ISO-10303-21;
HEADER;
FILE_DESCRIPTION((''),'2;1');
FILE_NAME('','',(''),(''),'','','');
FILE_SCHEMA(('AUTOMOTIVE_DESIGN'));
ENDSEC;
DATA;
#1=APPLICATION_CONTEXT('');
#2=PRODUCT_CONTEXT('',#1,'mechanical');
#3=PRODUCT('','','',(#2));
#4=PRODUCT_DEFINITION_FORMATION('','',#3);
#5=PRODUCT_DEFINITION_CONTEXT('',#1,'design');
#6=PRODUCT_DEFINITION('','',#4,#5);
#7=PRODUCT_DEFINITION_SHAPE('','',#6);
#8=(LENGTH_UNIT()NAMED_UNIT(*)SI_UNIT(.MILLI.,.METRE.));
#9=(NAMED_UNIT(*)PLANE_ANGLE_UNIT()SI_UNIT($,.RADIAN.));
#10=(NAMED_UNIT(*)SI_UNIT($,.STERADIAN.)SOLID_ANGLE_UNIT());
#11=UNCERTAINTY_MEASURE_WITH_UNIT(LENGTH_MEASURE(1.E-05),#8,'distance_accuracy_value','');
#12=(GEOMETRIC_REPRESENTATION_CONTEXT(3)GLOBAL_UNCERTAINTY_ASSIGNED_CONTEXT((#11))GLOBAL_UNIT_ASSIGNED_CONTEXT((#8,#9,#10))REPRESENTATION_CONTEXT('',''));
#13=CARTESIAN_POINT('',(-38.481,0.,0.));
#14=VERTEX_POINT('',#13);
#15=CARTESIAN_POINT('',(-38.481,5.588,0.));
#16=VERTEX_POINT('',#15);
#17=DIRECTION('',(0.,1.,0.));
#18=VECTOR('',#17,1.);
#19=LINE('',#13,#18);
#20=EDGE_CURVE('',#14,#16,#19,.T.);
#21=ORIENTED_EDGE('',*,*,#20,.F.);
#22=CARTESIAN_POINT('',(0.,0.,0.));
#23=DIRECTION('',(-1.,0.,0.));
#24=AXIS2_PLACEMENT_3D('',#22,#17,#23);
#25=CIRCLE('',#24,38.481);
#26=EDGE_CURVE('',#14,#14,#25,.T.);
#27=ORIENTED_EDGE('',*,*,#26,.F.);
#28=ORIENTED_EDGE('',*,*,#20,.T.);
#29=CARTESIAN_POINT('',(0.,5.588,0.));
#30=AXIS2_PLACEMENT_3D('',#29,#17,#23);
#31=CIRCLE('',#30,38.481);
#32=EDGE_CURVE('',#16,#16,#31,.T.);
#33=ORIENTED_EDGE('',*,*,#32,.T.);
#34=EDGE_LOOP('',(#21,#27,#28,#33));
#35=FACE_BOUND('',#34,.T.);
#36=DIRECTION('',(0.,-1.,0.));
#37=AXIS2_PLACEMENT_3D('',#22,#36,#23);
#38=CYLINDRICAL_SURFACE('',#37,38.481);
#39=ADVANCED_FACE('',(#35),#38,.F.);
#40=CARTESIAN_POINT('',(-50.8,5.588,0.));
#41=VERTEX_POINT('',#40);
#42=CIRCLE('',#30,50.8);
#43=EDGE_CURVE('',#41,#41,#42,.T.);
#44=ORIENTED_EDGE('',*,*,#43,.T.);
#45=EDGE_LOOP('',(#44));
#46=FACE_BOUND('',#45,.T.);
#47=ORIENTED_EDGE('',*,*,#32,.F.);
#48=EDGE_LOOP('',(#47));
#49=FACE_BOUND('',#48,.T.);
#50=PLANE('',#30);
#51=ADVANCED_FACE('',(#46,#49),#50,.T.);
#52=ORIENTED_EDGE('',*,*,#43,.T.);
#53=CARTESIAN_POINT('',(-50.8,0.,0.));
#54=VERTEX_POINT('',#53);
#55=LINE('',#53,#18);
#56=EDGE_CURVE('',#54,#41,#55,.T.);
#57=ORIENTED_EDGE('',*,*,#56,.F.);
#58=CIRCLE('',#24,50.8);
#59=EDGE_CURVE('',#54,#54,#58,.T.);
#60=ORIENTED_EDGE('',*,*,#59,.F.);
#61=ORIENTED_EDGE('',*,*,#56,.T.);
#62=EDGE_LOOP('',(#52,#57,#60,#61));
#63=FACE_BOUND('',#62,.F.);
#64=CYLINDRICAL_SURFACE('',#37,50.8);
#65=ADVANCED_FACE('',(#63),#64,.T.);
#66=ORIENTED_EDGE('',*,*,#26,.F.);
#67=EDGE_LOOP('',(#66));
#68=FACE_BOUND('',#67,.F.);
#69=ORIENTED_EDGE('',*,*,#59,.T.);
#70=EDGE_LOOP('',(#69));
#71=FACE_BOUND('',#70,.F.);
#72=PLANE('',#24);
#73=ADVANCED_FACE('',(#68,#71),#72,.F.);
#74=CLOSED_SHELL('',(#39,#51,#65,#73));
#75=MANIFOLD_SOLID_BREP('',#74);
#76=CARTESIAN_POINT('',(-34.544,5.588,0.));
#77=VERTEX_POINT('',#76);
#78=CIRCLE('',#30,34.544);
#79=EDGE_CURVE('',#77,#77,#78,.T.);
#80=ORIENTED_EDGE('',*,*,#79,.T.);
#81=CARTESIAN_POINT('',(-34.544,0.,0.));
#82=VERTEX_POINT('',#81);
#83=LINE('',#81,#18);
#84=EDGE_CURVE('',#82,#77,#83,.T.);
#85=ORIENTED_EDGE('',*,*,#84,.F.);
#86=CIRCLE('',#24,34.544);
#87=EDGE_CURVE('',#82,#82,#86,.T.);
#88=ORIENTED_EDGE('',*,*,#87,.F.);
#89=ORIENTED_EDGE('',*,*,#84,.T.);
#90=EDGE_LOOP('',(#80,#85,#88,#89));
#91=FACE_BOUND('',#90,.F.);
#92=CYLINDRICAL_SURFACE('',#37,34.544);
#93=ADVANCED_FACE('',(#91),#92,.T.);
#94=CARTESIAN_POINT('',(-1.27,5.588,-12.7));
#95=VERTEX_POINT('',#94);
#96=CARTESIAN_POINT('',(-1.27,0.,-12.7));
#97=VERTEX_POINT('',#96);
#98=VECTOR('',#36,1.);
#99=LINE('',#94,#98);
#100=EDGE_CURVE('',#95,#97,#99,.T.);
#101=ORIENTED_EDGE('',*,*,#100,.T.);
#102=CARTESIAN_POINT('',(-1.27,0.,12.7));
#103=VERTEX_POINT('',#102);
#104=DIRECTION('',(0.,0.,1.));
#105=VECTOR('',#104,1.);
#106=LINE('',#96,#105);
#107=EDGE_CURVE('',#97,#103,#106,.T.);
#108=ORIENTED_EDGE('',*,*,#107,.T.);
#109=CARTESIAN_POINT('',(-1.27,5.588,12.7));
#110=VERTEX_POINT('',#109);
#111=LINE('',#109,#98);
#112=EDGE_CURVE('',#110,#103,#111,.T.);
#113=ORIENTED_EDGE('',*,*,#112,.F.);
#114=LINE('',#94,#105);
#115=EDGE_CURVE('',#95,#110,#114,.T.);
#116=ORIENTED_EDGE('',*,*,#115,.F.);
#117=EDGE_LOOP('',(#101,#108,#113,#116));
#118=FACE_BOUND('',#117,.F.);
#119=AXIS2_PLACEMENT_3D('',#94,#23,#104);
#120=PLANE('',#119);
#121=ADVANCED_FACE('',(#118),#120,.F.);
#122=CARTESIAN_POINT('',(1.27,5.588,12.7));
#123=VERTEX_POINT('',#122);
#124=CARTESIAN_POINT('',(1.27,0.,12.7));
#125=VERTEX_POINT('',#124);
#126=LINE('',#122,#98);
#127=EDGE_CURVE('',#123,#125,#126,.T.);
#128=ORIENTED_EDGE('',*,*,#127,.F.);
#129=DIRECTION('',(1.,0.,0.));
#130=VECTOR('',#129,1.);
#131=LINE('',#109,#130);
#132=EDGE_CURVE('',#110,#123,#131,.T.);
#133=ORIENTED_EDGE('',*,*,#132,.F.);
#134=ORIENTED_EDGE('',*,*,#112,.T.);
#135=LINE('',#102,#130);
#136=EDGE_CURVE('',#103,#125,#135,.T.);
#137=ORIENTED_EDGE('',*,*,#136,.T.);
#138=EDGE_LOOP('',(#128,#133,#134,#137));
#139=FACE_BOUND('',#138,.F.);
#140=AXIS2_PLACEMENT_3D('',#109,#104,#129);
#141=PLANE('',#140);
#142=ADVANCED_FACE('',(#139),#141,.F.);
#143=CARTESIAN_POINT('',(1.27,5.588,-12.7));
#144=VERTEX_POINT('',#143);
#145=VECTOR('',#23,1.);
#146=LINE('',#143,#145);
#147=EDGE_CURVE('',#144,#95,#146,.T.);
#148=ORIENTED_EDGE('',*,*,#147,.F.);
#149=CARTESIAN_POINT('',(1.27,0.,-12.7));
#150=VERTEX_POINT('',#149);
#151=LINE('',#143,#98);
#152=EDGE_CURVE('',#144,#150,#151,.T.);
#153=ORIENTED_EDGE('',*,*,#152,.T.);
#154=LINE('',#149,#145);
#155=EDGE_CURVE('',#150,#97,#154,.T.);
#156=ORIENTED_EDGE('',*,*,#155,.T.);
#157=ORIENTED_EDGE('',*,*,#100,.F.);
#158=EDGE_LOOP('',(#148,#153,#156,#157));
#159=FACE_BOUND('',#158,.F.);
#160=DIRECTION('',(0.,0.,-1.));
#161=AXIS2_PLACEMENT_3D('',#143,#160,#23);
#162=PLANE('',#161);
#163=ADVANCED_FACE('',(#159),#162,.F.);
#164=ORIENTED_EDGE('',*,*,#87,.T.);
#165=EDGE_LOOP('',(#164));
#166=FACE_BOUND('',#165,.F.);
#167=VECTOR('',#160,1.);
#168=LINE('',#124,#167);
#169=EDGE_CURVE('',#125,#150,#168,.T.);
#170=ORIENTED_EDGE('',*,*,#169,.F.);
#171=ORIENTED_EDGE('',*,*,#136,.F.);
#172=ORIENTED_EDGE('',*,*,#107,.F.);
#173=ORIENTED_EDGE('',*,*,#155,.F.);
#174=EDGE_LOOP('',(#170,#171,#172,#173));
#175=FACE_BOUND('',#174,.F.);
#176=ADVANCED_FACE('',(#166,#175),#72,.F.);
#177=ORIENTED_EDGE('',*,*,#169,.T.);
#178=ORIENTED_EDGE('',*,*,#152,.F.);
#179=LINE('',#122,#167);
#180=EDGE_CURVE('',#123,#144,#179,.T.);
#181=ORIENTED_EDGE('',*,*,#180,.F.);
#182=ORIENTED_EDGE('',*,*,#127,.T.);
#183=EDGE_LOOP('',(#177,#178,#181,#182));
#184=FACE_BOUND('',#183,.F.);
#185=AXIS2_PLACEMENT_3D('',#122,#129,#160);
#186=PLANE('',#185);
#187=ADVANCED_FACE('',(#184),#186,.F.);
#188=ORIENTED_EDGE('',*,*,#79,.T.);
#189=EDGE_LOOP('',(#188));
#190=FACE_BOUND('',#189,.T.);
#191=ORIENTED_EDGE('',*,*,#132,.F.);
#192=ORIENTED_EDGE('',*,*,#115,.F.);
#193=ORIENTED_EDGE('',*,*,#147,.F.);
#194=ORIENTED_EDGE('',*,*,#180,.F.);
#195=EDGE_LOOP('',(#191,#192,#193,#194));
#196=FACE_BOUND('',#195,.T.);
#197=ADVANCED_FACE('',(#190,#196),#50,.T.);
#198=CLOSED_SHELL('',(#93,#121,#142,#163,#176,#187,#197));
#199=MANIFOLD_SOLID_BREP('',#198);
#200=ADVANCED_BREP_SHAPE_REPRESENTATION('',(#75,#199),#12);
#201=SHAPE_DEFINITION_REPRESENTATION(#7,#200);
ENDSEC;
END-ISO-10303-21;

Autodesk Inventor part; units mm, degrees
ref_plane "YZ Plane" through (0, 0, 0) normal (1, 0, 0) x (0, 1, 0)
ref_plane "XZ Plane" through (0, 0, 0) normal (0, 1, 0) x (-1, 0, 0)
ref_plane "XY Plane" through (0, 0, 0) normal (0, 0, 1) x (1, 0, 0)
sketch "Sketch1" plane through (0, 0, 0) normal (0, 1, 0) x (-1, 0, 0)
  circle A0 centre (0, 0) radius 34.544
  circle A1 centre (0, 0) radius 38.481
  circle A2 centre (0, 0) radius 50.8
  line L0 (1.27, 12.7) -> (-1.27, 12.7)
  line L1 (-1.27, 12.7) -> (-1.27, -12.7)
  line L2 (-1.27, -12.7) -> (1.27, -12.7)
  line L3 (1.27, -12.7) -> (1.27, 12.7)
  dimension "d0" = 69.088
  dimension "d1" = 76.962
  dimension "d2" = 101.6
  dimension "d6" = 2.54
  dimension "d7" = 25.4
extrude "Extrusion1" add sketch "Sketch1" along normal blind 5.588 contours A0 | A2 | L3 L2 L1 L0
sketch "Sketch2" plane through (0, 5.588, 0) normal (0, 1, 0) x (1, 0, 0)
  line L0 (1.27, 12.7) -> (-1.27, 12.7)
  line L1 (-1.27, 12.7) -> (-1.27, -12.7)
  line L2 (-1.27, -12.7) -> (1.27, -12.7)
  line L3 (1.27, -12.7) -> (1.27, 12.7)
  point P0 (0, 0)
  dimension "d8" = 2.54
  dimension "d9" = 25.4
extrude "Extrusion2" cut sketch "Sketch2" against normal blind 5.588
sketch "Sketch3" plane through (0, 5.588, 0) normal (0, 1, 0) x (1, 0, 0)
  point P0 (0, 0)
properties part number "InnerCup"
